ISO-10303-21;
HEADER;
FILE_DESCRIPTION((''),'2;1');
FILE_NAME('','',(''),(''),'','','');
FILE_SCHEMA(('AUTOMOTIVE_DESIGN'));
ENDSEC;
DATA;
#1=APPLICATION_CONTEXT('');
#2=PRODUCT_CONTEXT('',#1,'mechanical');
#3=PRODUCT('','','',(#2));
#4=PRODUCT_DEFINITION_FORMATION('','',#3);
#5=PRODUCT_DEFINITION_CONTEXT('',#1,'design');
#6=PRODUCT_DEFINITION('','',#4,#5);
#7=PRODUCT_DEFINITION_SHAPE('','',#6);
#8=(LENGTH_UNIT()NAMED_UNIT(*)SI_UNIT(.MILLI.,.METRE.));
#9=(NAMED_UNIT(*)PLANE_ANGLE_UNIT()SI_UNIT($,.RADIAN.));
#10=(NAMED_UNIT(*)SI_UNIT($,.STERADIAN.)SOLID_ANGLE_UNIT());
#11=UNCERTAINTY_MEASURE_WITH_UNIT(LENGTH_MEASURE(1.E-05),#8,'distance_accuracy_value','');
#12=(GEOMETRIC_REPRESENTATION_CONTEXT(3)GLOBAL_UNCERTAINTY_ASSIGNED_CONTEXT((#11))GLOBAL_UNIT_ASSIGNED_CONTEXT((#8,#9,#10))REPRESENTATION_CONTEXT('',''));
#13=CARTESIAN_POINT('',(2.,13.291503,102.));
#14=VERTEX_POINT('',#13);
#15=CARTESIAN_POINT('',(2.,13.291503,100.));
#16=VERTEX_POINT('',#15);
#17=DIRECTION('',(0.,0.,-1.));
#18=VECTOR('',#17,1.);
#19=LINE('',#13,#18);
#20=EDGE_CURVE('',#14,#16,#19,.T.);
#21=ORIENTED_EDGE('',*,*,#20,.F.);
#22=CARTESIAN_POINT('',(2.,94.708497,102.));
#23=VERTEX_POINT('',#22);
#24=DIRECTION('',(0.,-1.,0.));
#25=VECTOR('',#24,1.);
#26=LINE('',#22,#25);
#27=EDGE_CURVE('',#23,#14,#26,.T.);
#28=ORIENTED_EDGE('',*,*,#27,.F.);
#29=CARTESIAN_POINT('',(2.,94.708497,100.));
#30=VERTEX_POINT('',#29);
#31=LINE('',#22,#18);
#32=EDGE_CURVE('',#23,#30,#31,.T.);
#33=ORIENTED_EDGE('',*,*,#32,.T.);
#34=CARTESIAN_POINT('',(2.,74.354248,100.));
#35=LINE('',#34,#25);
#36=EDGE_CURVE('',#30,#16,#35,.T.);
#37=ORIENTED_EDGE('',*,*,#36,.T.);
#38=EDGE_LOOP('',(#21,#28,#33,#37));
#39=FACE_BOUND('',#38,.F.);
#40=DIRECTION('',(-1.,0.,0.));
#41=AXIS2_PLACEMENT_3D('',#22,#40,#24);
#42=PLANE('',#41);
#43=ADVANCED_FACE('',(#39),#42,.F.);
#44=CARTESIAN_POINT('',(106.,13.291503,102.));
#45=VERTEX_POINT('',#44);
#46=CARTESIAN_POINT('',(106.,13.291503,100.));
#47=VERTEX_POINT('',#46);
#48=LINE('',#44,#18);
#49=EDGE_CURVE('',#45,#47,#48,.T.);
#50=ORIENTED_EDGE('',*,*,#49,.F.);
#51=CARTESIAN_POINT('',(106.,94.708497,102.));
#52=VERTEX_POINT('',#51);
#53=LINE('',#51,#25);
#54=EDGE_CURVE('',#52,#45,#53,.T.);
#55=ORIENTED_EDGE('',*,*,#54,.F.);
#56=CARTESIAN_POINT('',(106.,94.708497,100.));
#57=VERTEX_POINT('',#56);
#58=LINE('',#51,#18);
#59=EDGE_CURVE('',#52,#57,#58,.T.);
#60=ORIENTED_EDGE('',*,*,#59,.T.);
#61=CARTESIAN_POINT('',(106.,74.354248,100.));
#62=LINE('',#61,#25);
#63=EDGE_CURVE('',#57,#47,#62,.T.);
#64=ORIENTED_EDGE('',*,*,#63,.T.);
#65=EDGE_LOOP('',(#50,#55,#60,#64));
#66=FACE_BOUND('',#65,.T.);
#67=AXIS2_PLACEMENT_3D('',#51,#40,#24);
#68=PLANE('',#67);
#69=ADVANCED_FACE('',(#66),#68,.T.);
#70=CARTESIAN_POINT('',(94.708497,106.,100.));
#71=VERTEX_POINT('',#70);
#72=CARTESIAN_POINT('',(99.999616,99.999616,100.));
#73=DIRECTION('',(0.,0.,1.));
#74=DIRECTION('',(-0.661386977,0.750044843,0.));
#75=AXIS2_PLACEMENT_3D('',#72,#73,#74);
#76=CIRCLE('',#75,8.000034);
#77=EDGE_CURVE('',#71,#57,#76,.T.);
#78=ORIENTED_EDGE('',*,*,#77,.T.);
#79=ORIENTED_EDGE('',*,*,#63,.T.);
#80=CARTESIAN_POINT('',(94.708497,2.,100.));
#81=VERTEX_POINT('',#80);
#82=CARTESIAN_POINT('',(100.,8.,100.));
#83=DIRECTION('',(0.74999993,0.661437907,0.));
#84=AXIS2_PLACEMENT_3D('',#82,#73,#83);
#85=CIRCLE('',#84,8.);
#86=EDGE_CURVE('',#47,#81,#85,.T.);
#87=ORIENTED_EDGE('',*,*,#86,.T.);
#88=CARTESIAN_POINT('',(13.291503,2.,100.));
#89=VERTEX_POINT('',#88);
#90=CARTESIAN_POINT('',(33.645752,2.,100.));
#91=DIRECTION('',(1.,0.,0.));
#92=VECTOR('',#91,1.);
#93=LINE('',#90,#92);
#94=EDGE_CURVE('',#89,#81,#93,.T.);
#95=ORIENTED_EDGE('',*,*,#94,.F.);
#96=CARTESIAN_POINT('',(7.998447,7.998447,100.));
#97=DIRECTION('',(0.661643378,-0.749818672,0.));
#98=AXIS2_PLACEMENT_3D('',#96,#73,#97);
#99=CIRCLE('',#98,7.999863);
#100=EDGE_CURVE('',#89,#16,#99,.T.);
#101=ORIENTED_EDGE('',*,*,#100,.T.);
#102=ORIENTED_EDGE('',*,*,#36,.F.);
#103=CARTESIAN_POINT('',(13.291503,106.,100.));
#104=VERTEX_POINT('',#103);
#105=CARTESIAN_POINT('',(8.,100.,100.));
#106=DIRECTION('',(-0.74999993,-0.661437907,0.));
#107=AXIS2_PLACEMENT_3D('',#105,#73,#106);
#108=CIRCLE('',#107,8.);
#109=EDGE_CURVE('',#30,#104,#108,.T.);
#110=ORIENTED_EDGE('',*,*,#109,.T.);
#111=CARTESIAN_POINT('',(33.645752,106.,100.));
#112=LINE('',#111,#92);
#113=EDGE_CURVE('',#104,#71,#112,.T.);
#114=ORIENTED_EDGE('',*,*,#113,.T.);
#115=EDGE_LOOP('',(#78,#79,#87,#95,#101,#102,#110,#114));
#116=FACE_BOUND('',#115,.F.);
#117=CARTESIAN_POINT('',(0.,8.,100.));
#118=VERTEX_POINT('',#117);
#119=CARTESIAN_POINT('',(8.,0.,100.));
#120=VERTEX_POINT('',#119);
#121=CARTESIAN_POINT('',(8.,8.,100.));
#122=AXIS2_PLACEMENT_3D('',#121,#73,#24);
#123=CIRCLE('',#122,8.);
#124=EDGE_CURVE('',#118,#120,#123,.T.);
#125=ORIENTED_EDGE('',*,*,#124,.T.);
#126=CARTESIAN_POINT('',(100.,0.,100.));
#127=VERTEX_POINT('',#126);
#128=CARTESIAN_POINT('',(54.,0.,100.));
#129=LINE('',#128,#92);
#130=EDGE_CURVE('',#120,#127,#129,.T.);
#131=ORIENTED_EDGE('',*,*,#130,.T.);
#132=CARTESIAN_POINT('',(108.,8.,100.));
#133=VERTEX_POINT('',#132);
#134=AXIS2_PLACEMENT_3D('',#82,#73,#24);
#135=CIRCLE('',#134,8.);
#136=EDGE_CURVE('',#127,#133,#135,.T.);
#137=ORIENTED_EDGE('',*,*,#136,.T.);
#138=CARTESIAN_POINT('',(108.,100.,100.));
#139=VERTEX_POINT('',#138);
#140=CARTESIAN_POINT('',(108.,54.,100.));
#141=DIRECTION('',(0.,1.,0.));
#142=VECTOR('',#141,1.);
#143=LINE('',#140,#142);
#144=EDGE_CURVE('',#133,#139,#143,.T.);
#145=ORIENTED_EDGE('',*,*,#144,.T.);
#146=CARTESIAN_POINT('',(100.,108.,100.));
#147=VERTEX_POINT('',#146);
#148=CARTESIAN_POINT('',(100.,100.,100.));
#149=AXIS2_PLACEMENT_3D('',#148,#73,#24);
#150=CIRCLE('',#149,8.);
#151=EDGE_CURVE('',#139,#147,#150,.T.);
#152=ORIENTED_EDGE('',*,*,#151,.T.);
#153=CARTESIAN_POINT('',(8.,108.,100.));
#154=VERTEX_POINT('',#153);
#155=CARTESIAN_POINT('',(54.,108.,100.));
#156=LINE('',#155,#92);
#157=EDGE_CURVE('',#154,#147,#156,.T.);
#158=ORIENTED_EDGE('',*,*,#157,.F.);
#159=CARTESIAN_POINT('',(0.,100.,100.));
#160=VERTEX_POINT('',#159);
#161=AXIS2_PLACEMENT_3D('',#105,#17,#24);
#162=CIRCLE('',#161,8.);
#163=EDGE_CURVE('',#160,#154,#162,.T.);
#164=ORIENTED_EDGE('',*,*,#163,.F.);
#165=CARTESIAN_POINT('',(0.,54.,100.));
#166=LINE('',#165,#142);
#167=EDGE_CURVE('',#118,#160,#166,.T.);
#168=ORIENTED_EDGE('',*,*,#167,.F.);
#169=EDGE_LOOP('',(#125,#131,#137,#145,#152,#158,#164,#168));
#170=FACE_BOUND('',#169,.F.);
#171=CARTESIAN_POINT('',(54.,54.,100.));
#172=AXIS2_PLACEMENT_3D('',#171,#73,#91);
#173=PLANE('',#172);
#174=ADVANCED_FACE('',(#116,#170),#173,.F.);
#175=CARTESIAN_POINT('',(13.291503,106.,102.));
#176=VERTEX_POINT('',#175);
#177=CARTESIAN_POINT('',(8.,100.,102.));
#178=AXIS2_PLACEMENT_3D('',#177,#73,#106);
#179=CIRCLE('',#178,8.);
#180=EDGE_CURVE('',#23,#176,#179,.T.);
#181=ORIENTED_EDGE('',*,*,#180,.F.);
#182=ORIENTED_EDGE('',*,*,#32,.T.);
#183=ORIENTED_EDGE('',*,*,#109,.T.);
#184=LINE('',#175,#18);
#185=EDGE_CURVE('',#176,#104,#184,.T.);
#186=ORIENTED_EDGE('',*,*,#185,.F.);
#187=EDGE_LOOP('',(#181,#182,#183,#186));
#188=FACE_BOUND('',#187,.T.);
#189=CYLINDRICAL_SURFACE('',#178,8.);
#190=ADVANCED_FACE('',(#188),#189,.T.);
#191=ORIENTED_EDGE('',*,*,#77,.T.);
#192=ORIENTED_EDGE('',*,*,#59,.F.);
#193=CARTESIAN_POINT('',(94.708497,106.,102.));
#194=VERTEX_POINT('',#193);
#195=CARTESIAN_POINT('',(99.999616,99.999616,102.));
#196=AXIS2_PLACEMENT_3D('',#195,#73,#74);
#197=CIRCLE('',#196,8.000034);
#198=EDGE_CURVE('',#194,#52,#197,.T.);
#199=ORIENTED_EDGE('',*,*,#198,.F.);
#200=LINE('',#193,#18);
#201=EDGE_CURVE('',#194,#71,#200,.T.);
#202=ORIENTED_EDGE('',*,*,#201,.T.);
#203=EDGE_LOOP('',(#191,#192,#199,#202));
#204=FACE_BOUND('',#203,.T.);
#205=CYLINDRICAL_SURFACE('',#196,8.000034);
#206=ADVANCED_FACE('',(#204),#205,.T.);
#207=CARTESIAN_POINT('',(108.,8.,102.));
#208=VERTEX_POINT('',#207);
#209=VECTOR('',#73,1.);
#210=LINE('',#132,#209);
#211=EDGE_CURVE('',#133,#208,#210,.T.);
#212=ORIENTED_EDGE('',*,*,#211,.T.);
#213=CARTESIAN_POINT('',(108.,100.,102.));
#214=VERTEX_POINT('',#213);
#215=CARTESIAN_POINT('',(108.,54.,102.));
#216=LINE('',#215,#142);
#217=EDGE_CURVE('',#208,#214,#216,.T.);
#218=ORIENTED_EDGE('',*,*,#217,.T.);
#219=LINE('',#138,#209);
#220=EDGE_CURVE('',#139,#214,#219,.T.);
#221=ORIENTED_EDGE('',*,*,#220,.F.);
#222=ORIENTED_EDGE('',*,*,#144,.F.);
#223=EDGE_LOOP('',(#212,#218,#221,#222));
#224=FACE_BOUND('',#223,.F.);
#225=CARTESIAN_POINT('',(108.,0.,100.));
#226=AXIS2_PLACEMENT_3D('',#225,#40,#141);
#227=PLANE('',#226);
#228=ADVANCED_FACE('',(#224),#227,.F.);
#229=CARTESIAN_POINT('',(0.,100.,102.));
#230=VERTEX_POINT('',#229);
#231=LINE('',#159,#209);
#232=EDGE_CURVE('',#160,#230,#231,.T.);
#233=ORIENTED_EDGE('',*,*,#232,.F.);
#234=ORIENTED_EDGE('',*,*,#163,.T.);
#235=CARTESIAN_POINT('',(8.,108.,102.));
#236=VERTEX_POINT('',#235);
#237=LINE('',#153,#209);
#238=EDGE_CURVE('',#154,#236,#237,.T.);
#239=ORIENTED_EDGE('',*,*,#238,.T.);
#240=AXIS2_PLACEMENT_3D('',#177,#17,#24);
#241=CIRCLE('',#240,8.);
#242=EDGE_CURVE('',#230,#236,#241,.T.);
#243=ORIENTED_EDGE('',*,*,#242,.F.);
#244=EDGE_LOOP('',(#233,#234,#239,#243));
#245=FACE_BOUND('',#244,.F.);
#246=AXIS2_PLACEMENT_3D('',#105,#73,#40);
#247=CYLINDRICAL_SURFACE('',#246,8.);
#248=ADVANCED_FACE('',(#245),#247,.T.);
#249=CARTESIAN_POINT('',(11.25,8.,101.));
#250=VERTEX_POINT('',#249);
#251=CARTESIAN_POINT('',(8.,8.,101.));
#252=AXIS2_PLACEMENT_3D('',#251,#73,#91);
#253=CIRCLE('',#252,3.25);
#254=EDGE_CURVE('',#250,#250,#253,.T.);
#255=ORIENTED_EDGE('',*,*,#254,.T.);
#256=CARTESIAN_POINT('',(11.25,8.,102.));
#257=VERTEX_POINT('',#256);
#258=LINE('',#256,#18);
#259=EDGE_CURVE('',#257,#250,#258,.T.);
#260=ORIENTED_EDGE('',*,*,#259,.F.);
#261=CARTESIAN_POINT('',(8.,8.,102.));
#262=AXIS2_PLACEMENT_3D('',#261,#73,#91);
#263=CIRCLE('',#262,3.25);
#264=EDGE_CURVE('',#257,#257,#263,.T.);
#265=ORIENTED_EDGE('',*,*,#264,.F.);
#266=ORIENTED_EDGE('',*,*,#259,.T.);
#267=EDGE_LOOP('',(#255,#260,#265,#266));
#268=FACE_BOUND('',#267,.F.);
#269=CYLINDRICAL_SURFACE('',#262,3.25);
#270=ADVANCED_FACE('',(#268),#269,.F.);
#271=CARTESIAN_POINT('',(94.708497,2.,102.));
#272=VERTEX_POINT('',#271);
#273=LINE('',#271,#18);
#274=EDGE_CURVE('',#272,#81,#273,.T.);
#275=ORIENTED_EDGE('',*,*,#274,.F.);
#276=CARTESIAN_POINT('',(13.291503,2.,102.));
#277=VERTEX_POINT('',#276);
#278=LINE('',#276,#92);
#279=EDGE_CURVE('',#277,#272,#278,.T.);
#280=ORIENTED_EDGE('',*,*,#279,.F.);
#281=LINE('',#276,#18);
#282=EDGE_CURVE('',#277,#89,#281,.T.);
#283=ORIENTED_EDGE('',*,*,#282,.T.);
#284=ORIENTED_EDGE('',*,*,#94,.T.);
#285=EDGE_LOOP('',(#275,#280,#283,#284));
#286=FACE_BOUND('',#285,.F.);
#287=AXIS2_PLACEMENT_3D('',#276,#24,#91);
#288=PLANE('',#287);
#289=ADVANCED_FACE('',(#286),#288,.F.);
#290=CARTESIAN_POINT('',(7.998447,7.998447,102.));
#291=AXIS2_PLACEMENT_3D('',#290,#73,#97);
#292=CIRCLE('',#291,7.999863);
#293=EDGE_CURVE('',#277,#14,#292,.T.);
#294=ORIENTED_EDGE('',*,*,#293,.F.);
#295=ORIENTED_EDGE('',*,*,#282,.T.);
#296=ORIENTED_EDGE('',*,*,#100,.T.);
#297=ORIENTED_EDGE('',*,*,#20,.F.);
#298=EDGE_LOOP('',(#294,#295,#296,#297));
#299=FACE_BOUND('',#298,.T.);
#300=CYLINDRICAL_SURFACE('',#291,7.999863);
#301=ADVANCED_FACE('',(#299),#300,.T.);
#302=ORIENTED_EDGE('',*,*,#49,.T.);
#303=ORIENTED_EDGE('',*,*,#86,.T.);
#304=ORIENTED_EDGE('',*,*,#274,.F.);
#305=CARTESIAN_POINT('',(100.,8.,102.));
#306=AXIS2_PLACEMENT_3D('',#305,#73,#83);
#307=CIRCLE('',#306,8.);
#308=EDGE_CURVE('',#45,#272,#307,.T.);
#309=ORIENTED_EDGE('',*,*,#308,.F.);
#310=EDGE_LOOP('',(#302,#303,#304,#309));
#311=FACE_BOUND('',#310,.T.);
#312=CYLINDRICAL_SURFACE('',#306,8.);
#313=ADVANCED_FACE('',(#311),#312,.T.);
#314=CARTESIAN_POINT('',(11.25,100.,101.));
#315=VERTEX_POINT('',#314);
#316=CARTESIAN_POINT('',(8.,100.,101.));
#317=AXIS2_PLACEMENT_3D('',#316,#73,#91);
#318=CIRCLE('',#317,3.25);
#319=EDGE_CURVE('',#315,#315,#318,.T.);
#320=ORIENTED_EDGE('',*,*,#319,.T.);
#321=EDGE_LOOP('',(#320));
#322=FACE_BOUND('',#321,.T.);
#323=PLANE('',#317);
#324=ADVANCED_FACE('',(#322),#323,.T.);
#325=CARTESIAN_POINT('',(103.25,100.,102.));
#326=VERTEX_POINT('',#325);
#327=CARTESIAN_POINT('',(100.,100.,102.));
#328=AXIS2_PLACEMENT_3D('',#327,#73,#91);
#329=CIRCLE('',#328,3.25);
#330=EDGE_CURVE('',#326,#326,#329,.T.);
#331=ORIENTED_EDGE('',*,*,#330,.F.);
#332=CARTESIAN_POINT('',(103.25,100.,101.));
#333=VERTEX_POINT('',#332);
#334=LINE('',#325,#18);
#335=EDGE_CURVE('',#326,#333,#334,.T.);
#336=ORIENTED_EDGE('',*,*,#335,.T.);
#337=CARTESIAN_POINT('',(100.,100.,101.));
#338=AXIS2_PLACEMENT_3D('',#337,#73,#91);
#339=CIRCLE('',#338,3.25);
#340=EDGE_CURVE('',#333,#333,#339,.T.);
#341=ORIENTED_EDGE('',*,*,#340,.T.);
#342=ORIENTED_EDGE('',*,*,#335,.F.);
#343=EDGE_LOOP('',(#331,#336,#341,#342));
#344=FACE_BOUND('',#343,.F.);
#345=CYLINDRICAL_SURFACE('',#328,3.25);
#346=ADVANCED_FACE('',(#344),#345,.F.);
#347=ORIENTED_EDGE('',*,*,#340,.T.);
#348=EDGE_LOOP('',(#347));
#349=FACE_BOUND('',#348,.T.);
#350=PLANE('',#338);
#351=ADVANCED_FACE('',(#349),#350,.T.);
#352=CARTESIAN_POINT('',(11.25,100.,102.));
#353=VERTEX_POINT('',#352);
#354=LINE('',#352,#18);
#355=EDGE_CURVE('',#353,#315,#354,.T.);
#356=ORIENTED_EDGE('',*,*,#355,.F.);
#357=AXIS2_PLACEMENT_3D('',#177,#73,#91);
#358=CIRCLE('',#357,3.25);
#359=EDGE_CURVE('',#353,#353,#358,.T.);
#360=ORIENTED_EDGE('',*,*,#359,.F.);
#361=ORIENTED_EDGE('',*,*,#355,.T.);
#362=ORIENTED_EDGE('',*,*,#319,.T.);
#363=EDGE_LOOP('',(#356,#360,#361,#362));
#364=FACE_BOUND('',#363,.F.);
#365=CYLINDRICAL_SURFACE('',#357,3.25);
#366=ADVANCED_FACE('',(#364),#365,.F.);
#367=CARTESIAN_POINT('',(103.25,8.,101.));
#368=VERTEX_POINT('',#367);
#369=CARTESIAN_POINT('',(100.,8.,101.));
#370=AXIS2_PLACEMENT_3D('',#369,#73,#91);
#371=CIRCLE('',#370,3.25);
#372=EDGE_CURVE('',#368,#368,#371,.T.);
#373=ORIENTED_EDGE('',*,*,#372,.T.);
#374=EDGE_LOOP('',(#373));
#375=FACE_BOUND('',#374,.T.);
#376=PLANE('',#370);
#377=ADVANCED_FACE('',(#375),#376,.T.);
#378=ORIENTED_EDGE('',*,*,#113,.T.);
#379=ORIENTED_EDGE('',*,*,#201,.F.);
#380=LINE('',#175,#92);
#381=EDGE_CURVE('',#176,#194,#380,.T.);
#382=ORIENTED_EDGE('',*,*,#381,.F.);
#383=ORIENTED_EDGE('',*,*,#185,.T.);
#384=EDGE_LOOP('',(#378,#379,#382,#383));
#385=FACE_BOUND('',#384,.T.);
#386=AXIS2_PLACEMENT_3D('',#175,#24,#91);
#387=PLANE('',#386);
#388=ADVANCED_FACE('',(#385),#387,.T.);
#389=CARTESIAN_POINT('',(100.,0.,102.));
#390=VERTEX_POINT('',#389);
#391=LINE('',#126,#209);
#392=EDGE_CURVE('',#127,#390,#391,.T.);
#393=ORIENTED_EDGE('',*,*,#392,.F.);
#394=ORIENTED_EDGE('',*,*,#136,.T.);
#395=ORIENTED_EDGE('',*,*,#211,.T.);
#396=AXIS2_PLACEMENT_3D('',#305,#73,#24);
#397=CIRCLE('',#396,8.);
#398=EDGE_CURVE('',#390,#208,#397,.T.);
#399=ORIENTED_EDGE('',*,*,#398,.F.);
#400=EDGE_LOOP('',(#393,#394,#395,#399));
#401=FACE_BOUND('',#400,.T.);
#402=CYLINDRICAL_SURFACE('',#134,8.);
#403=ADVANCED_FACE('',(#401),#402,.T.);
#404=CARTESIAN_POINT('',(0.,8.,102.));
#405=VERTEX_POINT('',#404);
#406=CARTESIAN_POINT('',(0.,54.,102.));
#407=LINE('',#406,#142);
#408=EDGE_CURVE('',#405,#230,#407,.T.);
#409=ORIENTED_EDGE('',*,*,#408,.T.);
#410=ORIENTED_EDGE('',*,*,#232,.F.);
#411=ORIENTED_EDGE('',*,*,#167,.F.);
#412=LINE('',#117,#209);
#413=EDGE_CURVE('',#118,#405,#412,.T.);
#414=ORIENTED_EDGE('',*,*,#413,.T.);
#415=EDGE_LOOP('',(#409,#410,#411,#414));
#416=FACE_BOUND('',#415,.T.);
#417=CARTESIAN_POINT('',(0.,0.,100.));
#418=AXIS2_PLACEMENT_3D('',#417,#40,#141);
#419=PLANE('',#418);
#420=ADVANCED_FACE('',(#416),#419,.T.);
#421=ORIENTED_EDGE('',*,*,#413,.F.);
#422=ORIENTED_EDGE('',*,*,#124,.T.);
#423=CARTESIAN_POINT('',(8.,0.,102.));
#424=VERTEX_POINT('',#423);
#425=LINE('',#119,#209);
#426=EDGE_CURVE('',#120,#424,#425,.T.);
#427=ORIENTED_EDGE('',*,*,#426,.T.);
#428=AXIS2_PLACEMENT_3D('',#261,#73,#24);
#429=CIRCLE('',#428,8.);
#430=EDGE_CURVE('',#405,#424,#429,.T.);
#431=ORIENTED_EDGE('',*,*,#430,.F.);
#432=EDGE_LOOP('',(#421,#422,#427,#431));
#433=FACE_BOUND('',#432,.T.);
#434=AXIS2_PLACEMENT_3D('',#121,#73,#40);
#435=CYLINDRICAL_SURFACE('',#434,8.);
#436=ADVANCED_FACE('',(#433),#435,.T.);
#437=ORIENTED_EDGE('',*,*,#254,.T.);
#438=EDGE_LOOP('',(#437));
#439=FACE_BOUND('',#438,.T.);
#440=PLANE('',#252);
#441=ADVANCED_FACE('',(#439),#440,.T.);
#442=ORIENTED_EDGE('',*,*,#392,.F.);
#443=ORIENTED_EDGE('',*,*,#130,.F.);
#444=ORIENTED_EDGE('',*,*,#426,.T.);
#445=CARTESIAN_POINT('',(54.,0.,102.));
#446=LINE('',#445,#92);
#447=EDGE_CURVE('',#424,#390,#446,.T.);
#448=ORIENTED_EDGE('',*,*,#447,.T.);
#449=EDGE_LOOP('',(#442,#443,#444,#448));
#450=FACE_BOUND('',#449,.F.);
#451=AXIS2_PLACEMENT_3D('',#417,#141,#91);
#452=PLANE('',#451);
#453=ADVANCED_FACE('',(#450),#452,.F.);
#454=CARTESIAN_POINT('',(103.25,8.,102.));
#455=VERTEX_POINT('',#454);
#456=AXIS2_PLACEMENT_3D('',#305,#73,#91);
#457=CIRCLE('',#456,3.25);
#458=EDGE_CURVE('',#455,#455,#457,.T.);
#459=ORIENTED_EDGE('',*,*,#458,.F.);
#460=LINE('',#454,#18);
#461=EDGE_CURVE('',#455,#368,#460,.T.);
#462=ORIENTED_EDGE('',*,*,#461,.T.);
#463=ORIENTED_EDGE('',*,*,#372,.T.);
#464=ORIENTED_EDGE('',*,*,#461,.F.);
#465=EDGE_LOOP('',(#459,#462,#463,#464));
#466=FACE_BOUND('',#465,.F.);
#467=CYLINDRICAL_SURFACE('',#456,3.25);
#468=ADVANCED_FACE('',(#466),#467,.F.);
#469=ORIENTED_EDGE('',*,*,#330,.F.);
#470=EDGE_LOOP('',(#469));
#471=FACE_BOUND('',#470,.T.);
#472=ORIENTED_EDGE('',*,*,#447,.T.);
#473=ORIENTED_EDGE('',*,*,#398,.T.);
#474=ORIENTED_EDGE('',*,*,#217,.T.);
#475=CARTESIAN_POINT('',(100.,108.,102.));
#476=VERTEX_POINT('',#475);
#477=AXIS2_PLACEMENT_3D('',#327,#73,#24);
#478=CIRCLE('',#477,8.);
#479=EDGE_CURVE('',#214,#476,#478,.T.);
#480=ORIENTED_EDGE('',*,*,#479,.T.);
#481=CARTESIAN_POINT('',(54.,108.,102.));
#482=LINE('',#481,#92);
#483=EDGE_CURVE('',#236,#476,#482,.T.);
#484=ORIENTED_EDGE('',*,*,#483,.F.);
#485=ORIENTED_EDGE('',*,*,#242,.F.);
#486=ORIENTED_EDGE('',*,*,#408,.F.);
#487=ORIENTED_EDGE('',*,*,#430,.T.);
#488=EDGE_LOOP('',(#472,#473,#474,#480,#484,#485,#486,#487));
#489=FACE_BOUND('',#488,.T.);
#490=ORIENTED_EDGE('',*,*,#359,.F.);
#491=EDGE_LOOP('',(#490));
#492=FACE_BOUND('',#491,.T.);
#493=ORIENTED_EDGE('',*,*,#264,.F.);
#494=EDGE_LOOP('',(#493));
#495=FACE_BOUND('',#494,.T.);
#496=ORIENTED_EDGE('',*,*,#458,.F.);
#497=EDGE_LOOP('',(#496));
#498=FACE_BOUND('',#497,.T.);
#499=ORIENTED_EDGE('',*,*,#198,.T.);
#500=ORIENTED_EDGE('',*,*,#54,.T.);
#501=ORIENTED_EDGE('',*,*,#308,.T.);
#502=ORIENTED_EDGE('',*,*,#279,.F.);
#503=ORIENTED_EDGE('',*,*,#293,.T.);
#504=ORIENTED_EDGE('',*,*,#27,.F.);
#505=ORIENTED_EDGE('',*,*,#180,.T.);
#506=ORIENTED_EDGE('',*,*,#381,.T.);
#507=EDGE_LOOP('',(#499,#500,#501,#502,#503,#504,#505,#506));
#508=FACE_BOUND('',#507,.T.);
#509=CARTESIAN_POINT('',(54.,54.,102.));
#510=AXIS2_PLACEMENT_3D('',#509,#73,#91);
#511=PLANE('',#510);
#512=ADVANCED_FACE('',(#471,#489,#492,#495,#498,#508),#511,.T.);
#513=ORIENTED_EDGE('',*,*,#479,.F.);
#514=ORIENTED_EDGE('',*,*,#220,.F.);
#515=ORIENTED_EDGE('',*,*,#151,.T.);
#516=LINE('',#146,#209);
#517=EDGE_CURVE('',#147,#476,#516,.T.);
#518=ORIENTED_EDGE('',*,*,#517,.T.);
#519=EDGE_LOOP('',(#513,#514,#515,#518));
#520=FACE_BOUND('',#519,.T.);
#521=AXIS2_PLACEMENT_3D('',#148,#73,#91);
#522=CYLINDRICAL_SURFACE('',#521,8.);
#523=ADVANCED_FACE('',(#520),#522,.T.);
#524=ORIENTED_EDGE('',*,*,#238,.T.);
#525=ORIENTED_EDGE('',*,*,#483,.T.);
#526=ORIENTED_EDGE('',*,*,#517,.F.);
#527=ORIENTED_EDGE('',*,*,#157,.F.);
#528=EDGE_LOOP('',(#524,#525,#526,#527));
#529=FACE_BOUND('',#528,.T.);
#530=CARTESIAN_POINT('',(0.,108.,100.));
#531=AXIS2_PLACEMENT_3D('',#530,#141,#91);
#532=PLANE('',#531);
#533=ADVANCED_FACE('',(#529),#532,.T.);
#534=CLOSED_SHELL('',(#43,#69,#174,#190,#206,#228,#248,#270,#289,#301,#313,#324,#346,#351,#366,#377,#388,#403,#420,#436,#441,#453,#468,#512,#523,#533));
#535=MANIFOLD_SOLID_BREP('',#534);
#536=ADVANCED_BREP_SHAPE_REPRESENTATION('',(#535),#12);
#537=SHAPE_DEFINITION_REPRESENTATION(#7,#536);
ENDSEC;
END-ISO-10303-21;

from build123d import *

# Parameters (mm, degrees)
SKETCH123_W     = 108
SKETCH123_H     = 108
PAD049_DEPTH    = 2
FILLET008_R     = 8
SKETCH122_R     = 3.25
POCKET047_DEPTH = 1
POCKET046_DEPTH = 2.001


with BuildPart() as part:
    # Sketch123 → Pad049 (new body)
    with BuildSketch(Plane.XY):
        with Locations((54, 54)):
            Rectangle(SKETCH123_W, SKETCH123_H)
    extrude(amount=PAD049_DEPTH)

    # Fillet008
    fillet008_edges = [part.edges().sort_by_distance(p)[0] for p in [
        (108, 0, 1),
        (108, 108, 1),
        (0, 108, 1),
        (0, 0, 1),
    ]]
    fillet(fillet008_edges, radius=FILLET008_R)

    # Sketch122 (on Face5 of Fillet008) → Pocket047 (cut)
    with BuildSketch(Plane.XY.offset(2)):
        with Locations((8, 8)):
            Circle(SKETCH122_R)
        with Locations((100, 8)):
            Circle(SKETCH122_R)
        with Locations((100, 100)):
            Circle(SKETCH122_R)
        with Locations((8, 100)):
            Circle(SKETCH122_R)
    extrude(amount=-POCKET047_DEPTH, mode=Mode.SUBTRACT)

    # Sketch124 (on Face5 of Pocket047) → Pocket046 (cut, through all)
    with BuildSketch(Plane.XY.offset(2)):
        with BuildLine():
            Line((2, 94.708497), (2, 13.291503))
            ThreePointArc((13.291503, 2), (13.655204, 13.655204), (2, 13.291503))
            Line((13.291503, 2), (94.708497, 2))
            ThreePointArc((106, 13.291503), (94.343146, 13.656854), (94.708497, 2))
            Line((106, 94.708497), (106, 13.291503))
            ThreePointArc((94.708497, 106), (94.342737, 94.342737), (106, 94.708497))
            Line((13.291503, 106), (94.708497, 106))
            ThreePointArc((2, 94.708497), (13.656854, 94.343146), (13.291503, 106))
        make_face()
    extrude(amount=-POCKET046_DEPTH, mode=Mode.SUBTRACT)


with BuildPart() as part_1:
    # Body021 placement: moved
    add(part.part.moved(Location((0, 0, 100))))


solid = part_1.part
